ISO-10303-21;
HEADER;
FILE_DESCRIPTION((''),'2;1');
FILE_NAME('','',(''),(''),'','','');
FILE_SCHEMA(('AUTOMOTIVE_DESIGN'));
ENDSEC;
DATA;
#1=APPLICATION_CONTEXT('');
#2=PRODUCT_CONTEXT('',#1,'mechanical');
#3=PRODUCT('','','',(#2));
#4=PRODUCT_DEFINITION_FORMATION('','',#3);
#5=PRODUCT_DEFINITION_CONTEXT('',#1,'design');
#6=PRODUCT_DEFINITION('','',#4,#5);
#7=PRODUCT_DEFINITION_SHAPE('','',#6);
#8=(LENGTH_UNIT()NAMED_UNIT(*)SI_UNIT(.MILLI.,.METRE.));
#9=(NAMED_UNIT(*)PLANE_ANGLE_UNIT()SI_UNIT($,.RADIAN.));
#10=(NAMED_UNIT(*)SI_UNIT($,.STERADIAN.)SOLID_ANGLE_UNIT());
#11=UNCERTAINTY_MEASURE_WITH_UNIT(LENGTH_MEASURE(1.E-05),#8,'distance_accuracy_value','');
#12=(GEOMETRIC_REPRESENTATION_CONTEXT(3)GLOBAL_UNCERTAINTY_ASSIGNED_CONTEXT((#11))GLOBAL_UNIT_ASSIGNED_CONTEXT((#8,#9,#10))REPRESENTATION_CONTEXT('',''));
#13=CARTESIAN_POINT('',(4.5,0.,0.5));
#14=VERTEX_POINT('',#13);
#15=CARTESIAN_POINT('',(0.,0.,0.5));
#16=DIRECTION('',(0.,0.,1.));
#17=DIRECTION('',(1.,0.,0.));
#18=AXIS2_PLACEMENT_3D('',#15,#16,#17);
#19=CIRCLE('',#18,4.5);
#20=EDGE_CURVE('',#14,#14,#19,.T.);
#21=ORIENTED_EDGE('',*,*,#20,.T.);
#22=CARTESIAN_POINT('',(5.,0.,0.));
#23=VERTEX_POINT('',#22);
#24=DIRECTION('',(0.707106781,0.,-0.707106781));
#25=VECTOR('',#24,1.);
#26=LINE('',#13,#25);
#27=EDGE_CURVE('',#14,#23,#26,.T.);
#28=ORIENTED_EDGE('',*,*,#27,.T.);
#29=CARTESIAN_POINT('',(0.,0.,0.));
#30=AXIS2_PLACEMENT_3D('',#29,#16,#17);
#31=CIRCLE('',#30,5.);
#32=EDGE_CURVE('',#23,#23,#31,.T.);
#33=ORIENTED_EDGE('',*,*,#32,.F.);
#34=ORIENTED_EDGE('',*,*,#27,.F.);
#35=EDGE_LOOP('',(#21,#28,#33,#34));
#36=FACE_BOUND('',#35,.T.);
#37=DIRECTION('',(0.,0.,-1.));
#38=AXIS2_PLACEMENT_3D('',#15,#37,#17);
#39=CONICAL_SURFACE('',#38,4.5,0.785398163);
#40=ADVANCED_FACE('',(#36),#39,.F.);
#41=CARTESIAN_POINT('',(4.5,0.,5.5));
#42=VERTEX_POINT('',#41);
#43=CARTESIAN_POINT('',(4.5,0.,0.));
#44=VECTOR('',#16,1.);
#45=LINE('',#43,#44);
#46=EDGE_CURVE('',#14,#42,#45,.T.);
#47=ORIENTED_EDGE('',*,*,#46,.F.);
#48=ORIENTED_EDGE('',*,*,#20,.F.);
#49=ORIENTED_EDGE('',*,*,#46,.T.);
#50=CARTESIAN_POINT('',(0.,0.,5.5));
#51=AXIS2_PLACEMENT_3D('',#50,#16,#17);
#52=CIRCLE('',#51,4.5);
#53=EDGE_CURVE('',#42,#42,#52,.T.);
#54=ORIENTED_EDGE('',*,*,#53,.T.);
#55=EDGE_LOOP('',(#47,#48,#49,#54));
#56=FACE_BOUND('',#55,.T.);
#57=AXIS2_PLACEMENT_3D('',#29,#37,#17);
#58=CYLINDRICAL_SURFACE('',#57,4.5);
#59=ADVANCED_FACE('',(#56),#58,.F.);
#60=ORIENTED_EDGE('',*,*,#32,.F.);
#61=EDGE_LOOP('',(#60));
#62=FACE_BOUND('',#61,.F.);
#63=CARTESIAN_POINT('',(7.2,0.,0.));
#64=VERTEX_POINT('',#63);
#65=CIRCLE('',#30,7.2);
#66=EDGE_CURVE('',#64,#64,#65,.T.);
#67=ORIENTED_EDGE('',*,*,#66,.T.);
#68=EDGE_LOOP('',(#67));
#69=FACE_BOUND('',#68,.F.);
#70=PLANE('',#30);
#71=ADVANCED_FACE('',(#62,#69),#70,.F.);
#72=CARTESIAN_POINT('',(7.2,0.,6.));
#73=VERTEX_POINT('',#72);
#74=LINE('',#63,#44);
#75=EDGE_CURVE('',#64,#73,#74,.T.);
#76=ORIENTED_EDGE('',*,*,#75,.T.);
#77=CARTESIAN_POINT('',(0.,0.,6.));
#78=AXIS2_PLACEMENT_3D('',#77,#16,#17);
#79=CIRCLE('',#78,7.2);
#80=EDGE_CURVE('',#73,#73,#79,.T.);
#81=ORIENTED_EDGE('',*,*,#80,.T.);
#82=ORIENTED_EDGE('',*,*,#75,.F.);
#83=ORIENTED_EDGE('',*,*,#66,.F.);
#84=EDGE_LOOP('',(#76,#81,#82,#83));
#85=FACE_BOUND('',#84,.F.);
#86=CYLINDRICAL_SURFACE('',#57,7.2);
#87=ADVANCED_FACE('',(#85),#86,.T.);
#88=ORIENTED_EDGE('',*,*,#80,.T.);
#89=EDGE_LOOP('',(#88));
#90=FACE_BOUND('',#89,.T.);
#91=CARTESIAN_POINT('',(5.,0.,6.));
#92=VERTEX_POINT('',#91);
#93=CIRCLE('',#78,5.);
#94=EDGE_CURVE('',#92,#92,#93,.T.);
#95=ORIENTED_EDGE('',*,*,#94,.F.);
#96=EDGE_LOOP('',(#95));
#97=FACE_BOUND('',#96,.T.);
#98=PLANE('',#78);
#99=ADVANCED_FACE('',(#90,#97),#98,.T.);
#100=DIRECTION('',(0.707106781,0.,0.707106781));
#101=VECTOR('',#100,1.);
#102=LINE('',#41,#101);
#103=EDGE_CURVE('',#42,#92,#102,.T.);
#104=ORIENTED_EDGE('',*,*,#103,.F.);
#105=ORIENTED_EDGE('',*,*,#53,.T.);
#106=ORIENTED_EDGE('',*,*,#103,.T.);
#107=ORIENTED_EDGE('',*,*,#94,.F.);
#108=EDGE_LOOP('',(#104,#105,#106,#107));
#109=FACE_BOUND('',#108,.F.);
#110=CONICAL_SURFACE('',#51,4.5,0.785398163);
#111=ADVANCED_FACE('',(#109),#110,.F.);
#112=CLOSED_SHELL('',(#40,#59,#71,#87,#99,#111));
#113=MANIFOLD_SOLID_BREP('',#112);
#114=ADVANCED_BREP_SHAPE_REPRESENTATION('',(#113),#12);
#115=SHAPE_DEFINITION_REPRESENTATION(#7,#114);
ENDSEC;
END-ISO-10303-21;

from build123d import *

# Parameters (mm, degrees)
F0_R     = 7.2
F0_R_2   = 4.5
F1_DEPTH = 6
F2_SIZE2 = 0.5
F2_SIZE  = 0.5
F3_SIZE2 = 0.5
F3_SIZE  = 0.5


with BuildPart() as f1:
    # F0 (on Top) → F1 (new body)
    with BuildSketch(Plane.XY):
        Circle(F0_R)
        Circle(F0_R_2, mode=Mode.SUBTRACT)
    extrude(amount=F1_DEPTH)

    # F2
    f2_edges = [f1.edges().sort_by_distance(p)[0] for p in [
        (-4.5, 0, 6),
    ]]
    chamfer(f2_edges, length=F2_SIZE, length2=F2_SIZE2)

    # F3
    f3_edges = [f1.edges().sort_by_distance(p)[0] for p in [
        (-4.5, 0, 0),
    ]]
    chamfer(f3_edges, length=F3_SIZE, length2=F3_SIZE2)


solid = f1.part
